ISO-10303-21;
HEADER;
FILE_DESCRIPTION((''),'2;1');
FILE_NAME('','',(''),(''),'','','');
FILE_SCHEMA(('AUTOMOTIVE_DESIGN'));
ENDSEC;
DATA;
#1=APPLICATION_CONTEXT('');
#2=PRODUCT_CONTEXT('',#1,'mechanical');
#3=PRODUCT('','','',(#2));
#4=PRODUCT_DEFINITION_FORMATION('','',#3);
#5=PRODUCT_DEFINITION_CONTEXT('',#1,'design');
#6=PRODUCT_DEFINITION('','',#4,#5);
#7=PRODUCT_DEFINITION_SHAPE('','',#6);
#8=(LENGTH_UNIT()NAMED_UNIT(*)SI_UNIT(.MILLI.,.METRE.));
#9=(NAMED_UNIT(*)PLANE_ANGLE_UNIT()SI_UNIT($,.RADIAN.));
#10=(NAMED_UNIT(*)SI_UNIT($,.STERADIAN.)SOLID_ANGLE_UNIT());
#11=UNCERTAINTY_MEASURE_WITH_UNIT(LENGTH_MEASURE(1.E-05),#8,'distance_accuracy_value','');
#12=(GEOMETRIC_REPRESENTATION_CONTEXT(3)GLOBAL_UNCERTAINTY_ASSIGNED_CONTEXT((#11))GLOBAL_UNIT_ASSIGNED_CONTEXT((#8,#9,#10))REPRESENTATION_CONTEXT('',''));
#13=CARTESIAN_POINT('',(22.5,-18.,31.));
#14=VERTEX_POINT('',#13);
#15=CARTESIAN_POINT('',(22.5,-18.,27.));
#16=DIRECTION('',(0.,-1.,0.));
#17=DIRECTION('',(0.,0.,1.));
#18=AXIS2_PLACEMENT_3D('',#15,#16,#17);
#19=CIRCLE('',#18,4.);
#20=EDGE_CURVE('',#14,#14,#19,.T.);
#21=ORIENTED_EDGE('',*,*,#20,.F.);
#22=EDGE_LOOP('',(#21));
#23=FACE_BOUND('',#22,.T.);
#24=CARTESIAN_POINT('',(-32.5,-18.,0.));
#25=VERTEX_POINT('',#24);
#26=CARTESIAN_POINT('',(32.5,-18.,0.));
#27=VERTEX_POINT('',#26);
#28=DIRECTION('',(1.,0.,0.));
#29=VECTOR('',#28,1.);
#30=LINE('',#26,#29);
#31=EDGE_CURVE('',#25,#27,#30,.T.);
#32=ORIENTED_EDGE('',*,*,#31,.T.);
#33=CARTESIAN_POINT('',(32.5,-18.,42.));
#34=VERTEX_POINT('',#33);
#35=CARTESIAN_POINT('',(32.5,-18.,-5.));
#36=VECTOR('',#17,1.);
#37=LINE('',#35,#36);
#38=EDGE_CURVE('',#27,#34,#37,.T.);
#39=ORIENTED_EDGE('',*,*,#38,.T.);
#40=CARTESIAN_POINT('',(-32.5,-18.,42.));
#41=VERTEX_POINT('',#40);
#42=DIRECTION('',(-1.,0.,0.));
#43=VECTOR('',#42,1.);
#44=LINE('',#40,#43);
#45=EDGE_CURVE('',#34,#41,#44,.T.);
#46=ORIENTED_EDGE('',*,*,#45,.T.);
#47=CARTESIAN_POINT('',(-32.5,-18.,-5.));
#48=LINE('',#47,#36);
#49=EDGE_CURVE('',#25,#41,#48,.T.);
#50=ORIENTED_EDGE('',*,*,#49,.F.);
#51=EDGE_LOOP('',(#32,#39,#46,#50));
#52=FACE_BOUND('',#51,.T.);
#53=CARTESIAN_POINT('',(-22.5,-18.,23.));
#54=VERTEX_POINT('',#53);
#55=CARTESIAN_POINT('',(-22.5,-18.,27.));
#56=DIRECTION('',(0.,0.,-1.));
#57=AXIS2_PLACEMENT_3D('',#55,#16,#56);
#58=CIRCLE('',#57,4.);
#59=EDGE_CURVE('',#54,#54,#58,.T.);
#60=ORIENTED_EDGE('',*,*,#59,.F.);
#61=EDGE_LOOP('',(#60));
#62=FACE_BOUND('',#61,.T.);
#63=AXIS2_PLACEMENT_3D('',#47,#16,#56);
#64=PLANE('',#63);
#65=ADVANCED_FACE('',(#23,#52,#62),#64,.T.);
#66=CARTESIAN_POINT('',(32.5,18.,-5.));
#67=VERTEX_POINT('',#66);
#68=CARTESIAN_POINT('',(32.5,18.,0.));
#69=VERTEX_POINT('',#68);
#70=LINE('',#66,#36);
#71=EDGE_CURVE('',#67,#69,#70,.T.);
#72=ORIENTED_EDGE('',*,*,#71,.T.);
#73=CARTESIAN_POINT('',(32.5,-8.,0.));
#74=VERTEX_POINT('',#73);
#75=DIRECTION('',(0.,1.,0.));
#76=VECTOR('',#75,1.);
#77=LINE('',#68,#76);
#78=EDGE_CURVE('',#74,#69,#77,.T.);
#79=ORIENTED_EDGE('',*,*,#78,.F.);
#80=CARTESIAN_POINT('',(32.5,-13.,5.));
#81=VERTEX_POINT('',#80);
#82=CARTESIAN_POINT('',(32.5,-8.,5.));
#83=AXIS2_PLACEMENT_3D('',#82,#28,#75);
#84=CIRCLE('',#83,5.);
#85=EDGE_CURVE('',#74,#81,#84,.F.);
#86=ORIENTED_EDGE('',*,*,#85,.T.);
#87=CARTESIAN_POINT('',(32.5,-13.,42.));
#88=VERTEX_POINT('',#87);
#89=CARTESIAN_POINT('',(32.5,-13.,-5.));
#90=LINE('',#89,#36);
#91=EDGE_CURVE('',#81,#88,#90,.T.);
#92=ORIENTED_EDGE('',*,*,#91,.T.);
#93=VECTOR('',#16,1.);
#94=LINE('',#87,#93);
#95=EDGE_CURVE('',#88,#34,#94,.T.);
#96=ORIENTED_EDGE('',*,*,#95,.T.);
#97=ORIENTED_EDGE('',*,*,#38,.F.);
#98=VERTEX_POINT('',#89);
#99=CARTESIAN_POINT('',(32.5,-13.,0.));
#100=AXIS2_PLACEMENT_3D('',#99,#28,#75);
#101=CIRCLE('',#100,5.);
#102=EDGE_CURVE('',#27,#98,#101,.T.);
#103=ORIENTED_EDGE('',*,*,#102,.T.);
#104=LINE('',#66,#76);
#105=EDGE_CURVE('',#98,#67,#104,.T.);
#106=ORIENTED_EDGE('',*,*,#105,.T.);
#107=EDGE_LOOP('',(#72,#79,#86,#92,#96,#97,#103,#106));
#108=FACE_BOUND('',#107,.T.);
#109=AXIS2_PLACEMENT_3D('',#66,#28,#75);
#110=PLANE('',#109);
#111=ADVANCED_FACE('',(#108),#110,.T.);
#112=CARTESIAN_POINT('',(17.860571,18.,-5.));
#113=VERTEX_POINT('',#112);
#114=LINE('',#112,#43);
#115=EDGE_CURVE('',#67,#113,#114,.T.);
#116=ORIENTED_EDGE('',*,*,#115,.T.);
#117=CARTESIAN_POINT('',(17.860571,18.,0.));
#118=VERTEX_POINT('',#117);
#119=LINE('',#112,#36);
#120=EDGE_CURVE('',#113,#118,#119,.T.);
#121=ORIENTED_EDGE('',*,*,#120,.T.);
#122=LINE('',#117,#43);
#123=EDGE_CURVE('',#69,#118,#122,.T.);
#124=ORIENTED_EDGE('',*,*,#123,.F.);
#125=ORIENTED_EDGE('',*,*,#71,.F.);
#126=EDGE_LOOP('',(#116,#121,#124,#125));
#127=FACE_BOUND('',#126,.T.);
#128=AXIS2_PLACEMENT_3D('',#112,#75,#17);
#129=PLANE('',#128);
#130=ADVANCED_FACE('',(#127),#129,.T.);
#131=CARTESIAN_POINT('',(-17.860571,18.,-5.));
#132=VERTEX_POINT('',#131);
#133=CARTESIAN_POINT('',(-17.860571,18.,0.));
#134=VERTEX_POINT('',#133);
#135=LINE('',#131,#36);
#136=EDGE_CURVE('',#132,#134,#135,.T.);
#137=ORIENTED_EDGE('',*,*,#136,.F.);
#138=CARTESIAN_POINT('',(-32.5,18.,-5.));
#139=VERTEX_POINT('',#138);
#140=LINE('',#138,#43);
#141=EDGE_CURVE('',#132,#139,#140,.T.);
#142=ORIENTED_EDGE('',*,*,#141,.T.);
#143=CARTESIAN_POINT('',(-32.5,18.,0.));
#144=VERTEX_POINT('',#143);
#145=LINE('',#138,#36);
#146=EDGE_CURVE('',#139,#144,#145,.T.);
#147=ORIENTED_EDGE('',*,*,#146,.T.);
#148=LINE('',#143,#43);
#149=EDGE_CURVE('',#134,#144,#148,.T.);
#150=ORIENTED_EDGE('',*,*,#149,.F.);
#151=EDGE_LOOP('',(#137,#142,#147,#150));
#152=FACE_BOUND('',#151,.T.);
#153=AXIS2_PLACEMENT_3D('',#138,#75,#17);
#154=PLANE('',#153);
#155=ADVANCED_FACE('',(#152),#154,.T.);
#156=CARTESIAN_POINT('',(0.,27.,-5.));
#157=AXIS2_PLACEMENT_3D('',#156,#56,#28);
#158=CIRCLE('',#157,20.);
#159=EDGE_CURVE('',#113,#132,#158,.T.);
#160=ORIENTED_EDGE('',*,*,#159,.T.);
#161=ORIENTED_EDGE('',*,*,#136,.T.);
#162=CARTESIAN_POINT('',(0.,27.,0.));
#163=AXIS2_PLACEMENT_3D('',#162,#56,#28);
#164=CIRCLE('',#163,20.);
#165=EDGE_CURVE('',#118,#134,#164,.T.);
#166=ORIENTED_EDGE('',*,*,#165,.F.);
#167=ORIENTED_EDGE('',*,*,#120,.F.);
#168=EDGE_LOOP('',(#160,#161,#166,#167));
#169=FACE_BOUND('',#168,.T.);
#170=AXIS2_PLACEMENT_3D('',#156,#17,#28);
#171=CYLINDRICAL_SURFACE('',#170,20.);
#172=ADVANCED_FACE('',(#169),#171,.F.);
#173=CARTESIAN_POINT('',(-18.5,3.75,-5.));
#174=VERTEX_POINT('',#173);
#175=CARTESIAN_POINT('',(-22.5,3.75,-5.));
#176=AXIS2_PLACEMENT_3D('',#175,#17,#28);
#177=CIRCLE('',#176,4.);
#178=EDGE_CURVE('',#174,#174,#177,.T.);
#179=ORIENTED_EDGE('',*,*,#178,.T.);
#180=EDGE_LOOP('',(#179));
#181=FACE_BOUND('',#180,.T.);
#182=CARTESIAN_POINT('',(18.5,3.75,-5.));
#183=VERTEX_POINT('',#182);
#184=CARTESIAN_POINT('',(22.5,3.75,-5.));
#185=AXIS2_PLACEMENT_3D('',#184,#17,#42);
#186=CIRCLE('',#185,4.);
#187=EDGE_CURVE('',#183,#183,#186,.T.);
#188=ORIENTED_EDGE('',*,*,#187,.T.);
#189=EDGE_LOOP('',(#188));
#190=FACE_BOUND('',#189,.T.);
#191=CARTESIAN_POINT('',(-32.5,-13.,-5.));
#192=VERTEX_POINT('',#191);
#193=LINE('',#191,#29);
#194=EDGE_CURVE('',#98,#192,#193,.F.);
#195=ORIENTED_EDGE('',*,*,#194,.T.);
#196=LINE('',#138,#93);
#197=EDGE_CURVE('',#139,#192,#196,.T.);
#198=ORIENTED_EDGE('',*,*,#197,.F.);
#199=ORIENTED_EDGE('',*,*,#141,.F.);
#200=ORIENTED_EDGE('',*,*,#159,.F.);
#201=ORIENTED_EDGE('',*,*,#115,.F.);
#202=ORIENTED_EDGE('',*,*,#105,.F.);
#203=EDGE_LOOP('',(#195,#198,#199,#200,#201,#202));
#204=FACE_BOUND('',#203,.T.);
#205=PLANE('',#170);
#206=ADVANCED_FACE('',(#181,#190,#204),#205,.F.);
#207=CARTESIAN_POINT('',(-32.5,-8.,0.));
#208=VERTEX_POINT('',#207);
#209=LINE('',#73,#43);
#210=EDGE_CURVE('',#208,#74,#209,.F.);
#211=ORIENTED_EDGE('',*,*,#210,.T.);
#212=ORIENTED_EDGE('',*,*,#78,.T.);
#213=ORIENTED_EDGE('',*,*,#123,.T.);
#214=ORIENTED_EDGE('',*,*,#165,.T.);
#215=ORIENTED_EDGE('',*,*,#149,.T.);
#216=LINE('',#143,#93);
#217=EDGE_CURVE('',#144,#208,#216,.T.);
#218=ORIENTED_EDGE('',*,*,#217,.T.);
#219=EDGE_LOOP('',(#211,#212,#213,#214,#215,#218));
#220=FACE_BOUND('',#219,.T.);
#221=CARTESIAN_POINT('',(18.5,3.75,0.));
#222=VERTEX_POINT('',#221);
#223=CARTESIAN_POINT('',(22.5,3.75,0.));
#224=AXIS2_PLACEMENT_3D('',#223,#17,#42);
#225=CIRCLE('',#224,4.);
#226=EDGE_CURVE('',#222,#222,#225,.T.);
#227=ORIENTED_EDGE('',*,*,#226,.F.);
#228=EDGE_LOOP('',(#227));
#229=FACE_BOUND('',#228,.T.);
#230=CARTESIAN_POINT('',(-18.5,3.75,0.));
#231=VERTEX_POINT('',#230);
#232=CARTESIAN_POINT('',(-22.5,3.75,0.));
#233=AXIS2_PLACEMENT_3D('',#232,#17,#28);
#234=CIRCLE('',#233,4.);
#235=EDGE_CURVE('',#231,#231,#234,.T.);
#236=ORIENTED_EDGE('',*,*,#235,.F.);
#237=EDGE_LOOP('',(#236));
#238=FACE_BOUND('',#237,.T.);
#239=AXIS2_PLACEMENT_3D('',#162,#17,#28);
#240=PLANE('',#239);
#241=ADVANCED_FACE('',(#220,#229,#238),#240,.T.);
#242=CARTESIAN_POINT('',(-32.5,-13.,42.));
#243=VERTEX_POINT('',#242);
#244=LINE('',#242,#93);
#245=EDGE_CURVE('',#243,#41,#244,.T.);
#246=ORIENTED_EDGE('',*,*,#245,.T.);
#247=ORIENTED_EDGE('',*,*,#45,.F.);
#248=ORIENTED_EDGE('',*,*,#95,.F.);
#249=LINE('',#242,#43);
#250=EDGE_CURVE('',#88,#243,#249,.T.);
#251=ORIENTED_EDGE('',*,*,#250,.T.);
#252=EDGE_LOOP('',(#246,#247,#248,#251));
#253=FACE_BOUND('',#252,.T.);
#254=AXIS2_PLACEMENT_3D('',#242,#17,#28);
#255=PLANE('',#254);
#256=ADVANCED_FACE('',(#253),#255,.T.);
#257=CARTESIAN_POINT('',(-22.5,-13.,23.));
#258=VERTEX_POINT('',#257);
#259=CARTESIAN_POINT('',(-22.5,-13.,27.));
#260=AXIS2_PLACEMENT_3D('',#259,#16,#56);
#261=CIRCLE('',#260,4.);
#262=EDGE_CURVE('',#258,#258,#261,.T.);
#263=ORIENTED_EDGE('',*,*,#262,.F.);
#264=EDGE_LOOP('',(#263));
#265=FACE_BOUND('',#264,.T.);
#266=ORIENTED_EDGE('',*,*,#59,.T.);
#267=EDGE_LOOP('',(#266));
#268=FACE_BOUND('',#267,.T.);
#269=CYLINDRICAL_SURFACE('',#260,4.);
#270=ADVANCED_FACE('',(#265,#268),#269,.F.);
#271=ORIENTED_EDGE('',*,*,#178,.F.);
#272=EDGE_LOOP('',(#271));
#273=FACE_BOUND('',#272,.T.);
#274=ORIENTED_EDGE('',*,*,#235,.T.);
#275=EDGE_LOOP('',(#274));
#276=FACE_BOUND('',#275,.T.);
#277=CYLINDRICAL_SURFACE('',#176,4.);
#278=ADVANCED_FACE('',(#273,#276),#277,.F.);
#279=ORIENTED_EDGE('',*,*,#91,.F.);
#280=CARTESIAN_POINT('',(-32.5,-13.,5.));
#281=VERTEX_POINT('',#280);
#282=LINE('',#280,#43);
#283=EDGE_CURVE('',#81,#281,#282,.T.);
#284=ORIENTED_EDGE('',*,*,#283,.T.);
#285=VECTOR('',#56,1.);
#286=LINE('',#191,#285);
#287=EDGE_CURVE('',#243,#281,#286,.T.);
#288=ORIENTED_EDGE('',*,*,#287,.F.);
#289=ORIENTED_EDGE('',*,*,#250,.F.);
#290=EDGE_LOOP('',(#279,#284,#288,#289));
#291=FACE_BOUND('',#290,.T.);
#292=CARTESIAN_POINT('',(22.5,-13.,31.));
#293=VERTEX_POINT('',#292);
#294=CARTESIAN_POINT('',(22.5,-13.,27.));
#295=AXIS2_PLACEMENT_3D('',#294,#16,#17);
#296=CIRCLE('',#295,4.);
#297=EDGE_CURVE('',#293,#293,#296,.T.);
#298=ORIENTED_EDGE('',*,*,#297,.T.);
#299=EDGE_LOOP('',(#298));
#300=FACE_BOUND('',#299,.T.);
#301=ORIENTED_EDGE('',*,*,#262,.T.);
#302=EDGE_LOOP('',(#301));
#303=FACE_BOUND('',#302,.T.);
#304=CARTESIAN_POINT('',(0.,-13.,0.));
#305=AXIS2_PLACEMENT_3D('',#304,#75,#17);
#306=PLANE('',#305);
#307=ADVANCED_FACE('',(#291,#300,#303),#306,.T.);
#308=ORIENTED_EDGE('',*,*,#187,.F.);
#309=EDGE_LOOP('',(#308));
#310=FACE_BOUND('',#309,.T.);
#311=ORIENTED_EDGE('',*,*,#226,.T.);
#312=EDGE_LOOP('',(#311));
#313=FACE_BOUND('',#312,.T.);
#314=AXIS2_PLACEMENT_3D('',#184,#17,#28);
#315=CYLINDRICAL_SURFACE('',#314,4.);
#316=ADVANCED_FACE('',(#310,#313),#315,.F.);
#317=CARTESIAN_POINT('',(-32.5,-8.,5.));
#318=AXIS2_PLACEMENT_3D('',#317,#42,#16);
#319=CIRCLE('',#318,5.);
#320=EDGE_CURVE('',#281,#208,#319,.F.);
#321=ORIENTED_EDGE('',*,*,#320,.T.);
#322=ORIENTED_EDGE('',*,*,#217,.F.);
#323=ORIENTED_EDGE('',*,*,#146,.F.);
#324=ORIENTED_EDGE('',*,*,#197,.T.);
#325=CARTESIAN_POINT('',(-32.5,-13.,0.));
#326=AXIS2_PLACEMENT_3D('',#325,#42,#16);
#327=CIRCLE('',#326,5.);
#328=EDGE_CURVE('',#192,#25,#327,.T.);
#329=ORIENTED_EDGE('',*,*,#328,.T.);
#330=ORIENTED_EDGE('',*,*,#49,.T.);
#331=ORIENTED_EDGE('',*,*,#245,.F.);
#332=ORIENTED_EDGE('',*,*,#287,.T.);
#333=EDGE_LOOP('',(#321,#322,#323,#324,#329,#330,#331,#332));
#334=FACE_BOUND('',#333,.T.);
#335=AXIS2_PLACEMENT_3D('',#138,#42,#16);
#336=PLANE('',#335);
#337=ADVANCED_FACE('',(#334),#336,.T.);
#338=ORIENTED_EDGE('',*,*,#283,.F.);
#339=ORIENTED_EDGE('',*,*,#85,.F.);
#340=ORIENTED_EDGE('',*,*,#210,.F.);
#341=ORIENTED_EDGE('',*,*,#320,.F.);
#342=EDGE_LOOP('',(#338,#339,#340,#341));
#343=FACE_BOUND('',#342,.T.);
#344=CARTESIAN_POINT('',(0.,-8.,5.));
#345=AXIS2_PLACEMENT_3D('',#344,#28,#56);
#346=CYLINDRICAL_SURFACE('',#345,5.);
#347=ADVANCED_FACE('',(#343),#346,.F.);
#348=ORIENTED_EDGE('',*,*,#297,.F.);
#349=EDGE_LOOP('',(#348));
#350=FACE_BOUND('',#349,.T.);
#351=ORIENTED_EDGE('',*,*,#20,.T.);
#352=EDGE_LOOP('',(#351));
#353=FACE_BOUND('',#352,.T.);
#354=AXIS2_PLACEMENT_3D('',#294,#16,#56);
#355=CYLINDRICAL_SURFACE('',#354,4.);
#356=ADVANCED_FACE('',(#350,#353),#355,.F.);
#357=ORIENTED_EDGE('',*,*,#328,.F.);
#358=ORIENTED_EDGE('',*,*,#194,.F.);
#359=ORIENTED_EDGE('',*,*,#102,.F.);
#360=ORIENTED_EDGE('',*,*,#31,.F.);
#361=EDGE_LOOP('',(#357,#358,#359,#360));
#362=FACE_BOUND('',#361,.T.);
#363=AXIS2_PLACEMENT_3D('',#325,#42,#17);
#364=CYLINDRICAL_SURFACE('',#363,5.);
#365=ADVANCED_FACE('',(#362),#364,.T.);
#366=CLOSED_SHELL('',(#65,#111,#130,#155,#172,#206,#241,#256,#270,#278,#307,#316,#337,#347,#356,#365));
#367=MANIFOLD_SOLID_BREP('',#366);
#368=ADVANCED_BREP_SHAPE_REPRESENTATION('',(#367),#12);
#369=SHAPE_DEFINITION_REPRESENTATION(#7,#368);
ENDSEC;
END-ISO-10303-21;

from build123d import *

# Parameters (mm, degrees)
SZKIC1_R                    = 4
DODANIE_WYCI_GNI_CIE1_DEPTH = 5
SZKIC2_W                    = 65
SZKIC2_H                    = 47
SZKIC2_R                    = 4
DODANIE_WYCI_GNI_CIE2_DEPTH = 5
ZAOKR_GLENIE1_R             = 5
ZAOKR_GLENIE2_R             = 5


with BuildPart() as part:
    # Szkic1 → Dodanie-wyciągnięcie1 (new body)
    with BuildSketch(Plane.XY):
        with BuildLine():
            Line((17.860571099, 18), (32.5, 18))
            Line((32.5, 18), (32.5, -18))
            Line((32.5, -18), (-32.5, -18))
            Line((-32.5, -18), (-32.5, 18))
            Line((-32.5, 18), (-17.860571099, 18))
            ThreePointArc((-17.860571099, 18), (0, 7), (17.860571099, 18))
        make_face()
        with Locations((-22.5, 3.75)):
            Circle(SZKIC1_R, mode=Mode.SUBTRACT)
        with Locations(Location((22.5, 3.75, 0), (0, 0, 180))):
            Circle(SZKIC1_R, mode=Mode.SUBTRACT)
    extrude(amount=-DODANIE_WYCI_GNI_CIE1_DEPTH)

    # Szkic2 → Dodanie-wyciągnięcie2 (add)
    with BuildSketch(Plane.XZ.offset(18)):
        with Locations((0, 18.5)):
            Rectangle(SZKIC2_W, SZKIC2_H)
        with Locations(Location((-22.5, 27, 0), (0, 0, 270))):
            Circle(SZKIC2_R, mode=Mode.SUBTRACT)
        with Locations(Location((22.5, 27, 0), (0, 0, 90))):
            Circle(SZKIC2_R, mode=Mode.SUBTRACT)
    extrude(amount=-DODANIE_WYCI_GNI_CIE2_DEPTH)

    # Zaokrąglenie1
    zaokr_glenie1_edges = [part.edges().sort_by_distance(p)[0] for p in [
        (0, -13, 0),
    ]]
    fillet(zaokr_glenie1_edges, radius=ZAOKR_GLENIE1_R)

    # Zaokrąglenie2
    zaokr_glenie2_edges = [part.edges().sort_by_distance(p)[0] for p in [
        (0, -18, -5),
    ]]
    fillet(zaokr_glenie2_edges, radius=ZAOKR_GLENIE2_R)


solid = part.part
